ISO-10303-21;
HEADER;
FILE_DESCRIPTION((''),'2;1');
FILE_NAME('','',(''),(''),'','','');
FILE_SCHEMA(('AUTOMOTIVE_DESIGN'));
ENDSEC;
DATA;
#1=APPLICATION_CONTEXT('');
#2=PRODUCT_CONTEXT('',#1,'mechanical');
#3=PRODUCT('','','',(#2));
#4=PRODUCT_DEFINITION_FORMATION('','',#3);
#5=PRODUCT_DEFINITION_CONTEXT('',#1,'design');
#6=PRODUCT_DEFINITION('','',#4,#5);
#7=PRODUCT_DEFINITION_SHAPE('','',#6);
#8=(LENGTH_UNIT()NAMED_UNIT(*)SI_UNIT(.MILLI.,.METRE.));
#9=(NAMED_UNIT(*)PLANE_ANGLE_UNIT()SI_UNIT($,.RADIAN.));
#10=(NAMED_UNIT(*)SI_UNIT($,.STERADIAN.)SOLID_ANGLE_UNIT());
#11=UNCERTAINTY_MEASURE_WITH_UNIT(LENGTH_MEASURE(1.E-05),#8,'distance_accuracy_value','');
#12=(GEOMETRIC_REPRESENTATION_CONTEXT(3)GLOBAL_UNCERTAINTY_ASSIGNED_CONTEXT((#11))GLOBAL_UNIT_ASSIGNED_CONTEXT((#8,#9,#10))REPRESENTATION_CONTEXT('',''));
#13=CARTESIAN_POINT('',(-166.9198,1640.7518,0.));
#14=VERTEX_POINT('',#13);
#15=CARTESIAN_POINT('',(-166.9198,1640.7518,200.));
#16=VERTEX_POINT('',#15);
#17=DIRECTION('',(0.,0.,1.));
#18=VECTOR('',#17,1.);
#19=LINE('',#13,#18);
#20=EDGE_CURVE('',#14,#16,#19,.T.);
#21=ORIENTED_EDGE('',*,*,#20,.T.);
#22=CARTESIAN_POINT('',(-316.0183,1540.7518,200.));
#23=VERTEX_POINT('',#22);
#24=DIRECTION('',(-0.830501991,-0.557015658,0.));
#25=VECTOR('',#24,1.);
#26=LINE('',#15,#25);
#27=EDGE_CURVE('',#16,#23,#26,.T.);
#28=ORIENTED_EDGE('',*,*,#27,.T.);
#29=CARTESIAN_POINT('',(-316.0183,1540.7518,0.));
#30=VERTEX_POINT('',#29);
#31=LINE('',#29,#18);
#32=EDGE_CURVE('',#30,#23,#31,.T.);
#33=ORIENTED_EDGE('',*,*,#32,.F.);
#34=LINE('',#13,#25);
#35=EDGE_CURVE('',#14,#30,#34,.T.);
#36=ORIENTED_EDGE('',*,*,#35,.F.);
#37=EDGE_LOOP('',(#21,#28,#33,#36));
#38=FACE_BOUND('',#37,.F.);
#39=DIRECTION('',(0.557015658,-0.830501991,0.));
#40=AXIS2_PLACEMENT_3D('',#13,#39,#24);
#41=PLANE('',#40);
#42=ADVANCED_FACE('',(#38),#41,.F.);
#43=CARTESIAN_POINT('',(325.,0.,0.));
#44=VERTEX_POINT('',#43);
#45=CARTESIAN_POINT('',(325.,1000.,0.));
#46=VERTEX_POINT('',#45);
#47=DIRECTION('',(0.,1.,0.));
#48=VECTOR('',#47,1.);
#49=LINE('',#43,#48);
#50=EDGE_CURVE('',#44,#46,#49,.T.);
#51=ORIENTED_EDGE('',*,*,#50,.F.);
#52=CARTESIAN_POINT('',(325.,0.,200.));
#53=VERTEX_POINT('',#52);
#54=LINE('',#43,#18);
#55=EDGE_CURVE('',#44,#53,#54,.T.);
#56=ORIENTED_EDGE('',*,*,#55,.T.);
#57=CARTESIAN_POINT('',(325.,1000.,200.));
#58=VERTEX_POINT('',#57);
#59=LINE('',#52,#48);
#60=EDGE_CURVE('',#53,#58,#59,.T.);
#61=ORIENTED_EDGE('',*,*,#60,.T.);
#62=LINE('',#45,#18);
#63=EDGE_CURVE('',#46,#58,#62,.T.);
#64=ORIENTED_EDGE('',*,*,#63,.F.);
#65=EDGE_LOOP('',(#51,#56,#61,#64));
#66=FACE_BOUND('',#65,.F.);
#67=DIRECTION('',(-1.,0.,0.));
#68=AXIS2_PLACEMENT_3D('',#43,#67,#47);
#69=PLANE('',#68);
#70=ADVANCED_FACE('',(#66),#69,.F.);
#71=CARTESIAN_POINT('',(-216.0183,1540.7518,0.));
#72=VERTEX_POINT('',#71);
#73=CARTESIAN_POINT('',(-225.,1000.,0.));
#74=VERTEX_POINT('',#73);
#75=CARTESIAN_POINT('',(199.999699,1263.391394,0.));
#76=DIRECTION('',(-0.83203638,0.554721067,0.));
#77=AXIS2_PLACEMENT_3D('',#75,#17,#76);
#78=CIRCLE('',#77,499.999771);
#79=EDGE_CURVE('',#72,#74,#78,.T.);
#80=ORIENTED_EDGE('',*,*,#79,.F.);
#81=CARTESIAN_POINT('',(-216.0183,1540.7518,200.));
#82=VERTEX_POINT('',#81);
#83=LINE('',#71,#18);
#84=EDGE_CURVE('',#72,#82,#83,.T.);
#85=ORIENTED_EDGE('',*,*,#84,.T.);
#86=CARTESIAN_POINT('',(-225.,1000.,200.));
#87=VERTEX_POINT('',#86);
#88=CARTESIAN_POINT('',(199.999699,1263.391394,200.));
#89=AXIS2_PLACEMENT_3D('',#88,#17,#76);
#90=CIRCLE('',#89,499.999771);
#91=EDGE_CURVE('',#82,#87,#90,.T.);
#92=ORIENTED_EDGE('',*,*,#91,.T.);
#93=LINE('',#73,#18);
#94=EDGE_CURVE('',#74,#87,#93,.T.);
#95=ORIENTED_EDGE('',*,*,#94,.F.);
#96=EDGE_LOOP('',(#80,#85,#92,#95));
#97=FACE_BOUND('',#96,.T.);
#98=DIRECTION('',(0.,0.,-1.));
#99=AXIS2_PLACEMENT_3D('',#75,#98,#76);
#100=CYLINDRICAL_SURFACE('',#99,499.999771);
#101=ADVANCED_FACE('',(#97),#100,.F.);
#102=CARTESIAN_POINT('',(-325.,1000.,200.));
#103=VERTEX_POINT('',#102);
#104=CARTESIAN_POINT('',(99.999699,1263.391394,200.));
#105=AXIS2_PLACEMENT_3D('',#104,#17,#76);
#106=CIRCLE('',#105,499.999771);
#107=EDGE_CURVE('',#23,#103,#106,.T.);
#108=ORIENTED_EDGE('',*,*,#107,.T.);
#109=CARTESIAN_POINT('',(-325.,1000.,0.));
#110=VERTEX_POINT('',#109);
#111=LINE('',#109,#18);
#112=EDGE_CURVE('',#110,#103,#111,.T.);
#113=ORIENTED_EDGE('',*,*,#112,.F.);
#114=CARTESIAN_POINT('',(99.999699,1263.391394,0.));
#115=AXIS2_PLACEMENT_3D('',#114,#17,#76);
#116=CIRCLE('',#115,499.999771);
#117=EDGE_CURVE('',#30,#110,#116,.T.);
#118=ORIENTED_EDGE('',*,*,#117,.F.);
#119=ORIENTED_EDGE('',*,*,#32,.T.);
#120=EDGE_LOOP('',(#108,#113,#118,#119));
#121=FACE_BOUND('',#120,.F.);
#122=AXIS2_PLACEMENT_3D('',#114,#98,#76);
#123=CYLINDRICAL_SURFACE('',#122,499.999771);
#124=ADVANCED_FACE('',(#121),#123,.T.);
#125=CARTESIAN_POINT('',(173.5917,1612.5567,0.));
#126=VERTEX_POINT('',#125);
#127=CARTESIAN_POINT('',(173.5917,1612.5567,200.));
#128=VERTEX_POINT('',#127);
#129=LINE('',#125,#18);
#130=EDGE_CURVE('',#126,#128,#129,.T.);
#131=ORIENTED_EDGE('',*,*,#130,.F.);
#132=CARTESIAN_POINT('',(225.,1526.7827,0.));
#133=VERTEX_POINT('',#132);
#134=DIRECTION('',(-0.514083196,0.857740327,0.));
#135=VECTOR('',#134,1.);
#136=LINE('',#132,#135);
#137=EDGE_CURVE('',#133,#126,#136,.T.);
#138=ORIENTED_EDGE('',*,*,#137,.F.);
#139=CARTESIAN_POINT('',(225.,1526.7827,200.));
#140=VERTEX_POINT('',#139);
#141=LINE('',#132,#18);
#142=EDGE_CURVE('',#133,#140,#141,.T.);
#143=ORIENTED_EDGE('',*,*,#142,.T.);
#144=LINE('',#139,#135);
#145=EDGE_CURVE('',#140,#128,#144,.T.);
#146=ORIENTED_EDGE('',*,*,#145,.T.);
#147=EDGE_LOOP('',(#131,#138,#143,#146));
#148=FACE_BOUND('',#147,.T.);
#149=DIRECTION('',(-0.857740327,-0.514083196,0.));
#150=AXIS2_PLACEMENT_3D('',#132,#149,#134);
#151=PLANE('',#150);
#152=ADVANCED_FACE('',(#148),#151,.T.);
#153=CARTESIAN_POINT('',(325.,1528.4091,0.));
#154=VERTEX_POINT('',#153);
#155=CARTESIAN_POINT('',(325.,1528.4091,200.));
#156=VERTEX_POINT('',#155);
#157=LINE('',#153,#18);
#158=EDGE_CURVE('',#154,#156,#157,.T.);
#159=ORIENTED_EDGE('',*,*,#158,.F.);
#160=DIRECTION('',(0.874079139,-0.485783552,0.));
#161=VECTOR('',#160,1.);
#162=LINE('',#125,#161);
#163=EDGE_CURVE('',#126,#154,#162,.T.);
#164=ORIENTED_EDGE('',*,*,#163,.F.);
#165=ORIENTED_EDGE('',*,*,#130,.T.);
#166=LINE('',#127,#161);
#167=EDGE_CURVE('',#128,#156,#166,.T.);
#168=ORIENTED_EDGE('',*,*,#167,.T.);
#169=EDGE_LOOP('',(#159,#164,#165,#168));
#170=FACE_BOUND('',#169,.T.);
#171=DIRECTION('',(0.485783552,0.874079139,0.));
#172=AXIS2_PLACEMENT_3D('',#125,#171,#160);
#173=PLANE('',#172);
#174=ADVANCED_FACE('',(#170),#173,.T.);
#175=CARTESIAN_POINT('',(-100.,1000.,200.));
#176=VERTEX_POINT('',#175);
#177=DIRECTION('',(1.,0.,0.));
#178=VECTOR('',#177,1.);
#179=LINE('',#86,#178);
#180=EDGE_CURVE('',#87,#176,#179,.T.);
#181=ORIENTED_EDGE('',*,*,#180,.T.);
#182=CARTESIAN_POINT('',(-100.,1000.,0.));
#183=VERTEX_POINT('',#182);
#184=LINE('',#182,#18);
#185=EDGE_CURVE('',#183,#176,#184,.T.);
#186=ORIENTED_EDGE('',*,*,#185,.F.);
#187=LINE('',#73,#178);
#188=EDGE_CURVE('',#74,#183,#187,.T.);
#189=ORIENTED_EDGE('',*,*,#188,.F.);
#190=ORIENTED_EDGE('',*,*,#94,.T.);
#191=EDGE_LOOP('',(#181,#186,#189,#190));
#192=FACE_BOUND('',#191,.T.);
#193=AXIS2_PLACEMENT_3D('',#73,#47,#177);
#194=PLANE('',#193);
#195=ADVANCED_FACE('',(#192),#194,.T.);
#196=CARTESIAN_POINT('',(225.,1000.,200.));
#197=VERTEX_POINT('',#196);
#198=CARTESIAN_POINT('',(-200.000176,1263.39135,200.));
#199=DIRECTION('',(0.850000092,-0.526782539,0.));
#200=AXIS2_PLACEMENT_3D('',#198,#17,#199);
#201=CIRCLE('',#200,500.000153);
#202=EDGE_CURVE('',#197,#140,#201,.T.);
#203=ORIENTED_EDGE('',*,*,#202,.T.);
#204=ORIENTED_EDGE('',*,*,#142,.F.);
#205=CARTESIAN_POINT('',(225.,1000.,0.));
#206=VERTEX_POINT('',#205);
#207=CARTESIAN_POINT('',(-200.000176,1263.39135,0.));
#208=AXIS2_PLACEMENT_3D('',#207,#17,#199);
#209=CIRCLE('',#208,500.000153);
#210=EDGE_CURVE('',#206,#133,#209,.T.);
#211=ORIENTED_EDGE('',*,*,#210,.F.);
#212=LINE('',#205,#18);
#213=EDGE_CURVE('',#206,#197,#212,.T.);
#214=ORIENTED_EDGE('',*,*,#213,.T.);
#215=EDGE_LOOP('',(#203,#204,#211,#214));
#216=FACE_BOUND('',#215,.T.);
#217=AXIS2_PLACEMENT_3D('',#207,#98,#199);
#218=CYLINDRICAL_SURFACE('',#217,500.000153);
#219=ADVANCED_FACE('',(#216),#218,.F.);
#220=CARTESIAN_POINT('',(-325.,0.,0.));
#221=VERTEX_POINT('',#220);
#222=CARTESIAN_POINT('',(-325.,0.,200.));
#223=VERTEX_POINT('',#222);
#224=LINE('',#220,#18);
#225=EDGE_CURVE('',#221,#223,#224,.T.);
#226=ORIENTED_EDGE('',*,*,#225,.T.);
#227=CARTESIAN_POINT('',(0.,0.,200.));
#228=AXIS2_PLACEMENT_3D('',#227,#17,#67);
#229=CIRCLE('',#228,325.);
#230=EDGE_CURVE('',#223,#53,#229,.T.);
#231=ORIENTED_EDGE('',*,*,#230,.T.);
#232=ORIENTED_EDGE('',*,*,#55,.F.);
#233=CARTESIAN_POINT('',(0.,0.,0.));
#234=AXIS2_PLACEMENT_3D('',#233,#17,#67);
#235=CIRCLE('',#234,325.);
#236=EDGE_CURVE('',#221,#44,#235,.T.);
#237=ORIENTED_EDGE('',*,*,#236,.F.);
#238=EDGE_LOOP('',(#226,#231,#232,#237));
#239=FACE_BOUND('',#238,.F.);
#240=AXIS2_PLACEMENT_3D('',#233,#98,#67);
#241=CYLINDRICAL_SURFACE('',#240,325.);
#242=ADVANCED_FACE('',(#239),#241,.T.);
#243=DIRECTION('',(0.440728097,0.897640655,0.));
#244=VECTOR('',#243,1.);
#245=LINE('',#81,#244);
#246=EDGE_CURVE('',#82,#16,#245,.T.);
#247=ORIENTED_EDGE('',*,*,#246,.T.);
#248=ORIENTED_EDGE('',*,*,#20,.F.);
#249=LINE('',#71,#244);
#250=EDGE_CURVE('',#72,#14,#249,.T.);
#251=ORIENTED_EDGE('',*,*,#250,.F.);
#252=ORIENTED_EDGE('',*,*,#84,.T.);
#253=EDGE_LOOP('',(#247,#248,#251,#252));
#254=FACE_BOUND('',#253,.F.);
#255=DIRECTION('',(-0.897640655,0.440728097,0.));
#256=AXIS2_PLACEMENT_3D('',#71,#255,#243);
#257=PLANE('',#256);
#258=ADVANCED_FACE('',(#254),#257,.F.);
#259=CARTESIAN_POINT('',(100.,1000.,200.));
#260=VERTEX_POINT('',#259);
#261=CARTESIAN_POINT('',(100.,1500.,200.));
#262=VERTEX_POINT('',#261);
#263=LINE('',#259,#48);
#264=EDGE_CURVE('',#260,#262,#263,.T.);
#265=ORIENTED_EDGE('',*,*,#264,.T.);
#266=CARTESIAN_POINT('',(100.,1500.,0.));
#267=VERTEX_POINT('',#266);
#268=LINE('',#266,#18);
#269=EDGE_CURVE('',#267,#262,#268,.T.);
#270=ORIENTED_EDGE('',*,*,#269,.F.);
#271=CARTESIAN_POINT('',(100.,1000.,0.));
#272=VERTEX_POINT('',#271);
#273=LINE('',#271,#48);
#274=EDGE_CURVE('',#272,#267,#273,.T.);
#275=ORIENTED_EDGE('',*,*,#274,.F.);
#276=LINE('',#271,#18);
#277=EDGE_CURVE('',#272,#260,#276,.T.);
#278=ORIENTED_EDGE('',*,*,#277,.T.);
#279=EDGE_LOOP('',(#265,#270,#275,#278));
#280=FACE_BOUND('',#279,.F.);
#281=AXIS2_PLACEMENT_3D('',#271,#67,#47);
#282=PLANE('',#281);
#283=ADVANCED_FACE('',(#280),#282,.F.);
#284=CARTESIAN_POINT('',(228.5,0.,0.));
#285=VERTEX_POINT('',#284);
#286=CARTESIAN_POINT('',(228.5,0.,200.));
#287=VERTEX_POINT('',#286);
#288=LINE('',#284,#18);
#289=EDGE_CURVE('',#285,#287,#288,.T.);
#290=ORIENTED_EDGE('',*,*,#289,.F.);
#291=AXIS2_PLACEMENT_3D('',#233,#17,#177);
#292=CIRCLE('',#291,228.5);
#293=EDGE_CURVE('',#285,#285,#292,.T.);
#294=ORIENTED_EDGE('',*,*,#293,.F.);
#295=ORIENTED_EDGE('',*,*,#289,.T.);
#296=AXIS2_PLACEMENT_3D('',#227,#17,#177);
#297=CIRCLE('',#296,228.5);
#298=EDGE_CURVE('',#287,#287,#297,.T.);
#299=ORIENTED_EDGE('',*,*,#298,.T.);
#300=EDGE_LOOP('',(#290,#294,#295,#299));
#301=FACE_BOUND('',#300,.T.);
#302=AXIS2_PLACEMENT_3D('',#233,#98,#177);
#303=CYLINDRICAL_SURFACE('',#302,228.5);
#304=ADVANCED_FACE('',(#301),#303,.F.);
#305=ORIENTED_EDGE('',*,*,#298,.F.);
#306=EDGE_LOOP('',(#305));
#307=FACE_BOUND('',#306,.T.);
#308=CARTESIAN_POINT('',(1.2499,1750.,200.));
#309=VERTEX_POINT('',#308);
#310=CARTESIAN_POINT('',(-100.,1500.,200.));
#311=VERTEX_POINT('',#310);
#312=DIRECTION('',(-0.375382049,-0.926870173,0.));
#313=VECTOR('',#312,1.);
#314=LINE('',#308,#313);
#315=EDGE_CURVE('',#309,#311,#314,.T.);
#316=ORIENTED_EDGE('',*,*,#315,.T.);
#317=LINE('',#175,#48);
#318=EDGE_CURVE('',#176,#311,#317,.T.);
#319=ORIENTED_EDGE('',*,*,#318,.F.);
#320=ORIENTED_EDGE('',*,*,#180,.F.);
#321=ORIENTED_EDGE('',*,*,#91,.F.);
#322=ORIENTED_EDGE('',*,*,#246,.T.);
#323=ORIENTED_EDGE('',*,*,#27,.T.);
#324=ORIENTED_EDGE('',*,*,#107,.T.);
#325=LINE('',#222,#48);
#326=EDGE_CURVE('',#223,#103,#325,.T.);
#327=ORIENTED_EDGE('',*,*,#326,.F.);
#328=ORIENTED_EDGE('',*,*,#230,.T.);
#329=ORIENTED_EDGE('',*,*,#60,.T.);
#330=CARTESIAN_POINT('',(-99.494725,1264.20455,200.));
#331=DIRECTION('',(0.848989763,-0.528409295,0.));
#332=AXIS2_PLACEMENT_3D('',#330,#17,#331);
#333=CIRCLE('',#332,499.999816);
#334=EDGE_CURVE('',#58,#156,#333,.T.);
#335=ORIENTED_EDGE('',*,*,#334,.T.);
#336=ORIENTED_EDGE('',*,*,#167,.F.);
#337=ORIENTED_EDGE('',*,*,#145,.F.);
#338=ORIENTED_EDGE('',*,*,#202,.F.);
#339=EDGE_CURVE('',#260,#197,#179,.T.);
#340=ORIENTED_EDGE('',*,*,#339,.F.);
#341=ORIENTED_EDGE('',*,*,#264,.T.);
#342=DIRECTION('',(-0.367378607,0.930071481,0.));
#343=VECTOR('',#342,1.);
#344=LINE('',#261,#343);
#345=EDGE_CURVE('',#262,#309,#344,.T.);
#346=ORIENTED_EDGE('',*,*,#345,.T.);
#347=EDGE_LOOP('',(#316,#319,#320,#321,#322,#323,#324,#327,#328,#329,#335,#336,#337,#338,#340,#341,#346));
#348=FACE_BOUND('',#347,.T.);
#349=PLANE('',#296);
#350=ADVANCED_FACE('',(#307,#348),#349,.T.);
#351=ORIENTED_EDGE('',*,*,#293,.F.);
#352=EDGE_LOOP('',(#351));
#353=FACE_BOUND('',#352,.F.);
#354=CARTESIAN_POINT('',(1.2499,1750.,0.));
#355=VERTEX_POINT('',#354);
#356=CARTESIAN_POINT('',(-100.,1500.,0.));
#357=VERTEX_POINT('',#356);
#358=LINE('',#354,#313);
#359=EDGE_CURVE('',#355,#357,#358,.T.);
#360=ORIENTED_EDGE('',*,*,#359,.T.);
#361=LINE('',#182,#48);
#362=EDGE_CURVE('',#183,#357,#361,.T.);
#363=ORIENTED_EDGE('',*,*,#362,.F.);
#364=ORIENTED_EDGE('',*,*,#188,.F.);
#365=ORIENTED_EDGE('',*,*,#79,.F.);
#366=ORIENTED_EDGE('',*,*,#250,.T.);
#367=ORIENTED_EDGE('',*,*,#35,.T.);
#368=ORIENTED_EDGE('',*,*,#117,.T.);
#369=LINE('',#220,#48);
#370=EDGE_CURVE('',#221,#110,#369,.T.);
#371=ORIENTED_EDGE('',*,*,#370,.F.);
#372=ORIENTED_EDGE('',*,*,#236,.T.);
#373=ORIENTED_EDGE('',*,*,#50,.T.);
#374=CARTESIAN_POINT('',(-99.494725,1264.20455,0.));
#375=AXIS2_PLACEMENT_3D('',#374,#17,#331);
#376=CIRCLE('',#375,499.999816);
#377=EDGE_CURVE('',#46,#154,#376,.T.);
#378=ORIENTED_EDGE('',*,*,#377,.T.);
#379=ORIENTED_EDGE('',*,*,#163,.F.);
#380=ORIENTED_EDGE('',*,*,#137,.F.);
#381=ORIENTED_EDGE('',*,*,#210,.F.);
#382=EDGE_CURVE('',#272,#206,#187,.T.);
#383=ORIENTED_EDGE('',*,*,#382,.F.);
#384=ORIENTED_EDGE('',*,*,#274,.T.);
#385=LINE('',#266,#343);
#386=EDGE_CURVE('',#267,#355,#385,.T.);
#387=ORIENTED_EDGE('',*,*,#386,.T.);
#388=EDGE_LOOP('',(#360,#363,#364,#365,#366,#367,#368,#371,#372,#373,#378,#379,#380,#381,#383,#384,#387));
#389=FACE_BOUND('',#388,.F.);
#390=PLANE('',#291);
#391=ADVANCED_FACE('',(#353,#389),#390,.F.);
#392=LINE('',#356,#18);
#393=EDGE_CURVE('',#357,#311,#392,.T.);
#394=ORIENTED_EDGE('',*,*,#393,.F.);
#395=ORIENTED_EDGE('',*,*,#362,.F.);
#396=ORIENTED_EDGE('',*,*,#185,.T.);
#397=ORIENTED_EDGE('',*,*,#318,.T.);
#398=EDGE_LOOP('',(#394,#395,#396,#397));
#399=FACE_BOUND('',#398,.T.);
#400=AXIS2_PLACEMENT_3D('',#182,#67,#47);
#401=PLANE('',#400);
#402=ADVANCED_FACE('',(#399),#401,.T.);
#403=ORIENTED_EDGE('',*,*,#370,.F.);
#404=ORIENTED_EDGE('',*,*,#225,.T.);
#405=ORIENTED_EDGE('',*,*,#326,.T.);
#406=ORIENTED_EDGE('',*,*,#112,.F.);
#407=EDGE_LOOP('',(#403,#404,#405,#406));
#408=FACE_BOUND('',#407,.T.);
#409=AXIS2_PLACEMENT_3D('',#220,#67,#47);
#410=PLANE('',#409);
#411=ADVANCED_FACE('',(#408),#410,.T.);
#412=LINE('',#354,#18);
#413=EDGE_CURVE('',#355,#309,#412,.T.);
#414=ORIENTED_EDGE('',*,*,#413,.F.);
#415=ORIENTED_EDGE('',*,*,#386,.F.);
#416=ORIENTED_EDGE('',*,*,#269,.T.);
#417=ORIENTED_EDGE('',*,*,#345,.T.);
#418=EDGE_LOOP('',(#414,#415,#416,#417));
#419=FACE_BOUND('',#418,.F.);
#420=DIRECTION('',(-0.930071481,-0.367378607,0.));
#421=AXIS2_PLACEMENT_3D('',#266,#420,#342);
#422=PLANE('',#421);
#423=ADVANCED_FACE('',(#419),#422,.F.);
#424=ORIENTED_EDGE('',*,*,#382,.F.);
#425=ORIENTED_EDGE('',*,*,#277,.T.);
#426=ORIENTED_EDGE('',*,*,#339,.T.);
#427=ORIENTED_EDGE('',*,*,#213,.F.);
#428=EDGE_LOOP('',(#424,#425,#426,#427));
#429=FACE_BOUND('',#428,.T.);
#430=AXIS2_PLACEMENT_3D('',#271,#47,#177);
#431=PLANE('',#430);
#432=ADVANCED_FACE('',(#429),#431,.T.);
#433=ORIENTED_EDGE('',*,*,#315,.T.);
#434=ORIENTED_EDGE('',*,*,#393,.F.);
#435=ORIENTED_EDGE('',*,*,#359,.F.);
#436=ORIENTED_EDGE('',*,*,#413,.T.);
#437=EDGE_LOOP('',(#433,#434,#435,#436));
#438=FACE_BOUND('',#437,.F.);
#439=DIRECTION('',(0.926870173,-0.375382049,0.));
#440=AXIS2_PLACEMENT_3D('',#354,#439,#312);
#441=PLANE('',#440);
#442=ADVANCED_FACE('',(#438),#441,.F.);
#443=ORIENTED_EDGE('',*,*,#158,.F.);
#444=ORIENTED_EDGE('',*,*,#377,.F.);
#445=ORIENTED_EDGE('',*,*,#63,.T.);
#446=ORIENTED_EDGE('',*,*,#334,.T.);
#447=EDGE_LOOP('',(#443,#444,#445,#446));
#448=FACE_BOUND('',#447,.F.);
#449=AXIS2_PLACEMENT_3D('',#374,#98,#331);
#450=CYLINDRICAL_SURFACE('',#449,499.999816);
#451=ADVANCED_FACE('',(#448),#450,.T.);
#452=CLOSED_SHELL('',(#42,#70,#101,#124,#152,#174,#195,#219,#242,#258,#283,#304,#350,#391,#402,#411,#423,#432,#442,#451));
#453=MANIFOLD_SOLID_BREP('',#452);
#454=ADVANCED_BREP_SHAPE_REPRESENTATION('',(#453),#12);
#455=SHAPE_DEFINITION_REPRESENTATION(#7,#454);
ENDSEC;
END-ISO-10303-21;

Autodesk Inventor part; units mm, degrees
ref_plane "YZ Plane" through (0, 0, 0) normal (1, 0, 0) x (0, 1, 0)
ref_plane "XZ Plane" through (0, 0, 0) normal (0, 1, 0) x (-1, 0, 0)
ref_plane "XY Plane" through (0, 0, 0) normal (0, 0, 1) x (1, 0, 0)
sketch "Sketch1" plane through (0, 0, 0) normal (0, 0, 1) x (1, 0, 0)
  circle A0 centre (0, 0) radius 228.5
  arc A1 (-325, 0) -> (325, 0) centre (0, 0) ccw
  line L0 (325, 0) -> (325, 1000)
  line L1 (325, 0) -> (1325, 0) construction
  line L2 (-267.2125, -184.9932) -> (732.7875, -184.9932) construction
  line L3 (-325, 0) -> (-325, 1000)
  line L4 (-325, 0) -> (675, 0) construction
  line L5 (-225, 1000) -> (225, 1000)
  line L6 (0, 1000) -> (-100, 1000)
  line L7 (-100, 1000) -> (-100, 1500)
  line L8 (0, 1000) -> (100, 1000)
  line L9 (100, 1000) -> (100, 1500)
  arc A2 (325, 1000) -> (325, 1528.4091) centre (-99.4949, 1264.2046) ccw
  arc A3 (225, 1000) -> (225, 1526.7827) centre (-200, 1263.3913) ccw
  arc A4 (-316.0183, 1540.7518) -> (-325, 1000) centre (100, 1263.3913) ccw
  arc A5 (-216.0183, 1540.7518) -> (-225, 1000) centre (200, 1263.3913) ccw
  line L10 (-216.0183, 1540.7518) -> (-166.9198, 1640.7518)
  line L11 (-166.9198, 1640.7518) -> (-316.0183, 1540.7518)
  line L12 (225, 1526.7827) -> (173.5917, 1612.5567)
  line L13 (173.5917, 1612.5567) -> (325, 1528.4091)
  line L14 (100, 1500) -> (1.2499, 1750)
  line L15 (1.2499, 1750) -> (-100, 1500)
  point P0 (100, 1250)
  dimension "d0" = 457
  dimension "d1" = 650
  dimension "d2" = 1000
  dimension "d3" = 90
  dimension "d6" = 1000
  dimension "d7" = 90
  dimension "d8" = 100
  dimension "d9" = 500
  dimension "d10" = 100
  dimension "d11" = 500
  dimension "d12" = 500
  dimension "d13" = 200
  dimension "d14" = 500
  dimension "d15" = 300
  dimension "d16" = 100
  dimension "d17" = 500
  dimension "d18" = 500
  dimension "d19" = 100
  dimension "d20" = 200
  dimension "d22" = 100
  dimension "d23" = 100
  dimension "d25" = 300
  dimension "d26" = 100
  dimension "d27" = 30
  dimension "d28" = 30
  dimension "d29" = 100
  dimension "d30" = 250
  dimension "d31" = 43.602
extrude "Extrusion1" add sketch "Sketch1" along normal blind 200
properties part number "The Gripper. (New)"
